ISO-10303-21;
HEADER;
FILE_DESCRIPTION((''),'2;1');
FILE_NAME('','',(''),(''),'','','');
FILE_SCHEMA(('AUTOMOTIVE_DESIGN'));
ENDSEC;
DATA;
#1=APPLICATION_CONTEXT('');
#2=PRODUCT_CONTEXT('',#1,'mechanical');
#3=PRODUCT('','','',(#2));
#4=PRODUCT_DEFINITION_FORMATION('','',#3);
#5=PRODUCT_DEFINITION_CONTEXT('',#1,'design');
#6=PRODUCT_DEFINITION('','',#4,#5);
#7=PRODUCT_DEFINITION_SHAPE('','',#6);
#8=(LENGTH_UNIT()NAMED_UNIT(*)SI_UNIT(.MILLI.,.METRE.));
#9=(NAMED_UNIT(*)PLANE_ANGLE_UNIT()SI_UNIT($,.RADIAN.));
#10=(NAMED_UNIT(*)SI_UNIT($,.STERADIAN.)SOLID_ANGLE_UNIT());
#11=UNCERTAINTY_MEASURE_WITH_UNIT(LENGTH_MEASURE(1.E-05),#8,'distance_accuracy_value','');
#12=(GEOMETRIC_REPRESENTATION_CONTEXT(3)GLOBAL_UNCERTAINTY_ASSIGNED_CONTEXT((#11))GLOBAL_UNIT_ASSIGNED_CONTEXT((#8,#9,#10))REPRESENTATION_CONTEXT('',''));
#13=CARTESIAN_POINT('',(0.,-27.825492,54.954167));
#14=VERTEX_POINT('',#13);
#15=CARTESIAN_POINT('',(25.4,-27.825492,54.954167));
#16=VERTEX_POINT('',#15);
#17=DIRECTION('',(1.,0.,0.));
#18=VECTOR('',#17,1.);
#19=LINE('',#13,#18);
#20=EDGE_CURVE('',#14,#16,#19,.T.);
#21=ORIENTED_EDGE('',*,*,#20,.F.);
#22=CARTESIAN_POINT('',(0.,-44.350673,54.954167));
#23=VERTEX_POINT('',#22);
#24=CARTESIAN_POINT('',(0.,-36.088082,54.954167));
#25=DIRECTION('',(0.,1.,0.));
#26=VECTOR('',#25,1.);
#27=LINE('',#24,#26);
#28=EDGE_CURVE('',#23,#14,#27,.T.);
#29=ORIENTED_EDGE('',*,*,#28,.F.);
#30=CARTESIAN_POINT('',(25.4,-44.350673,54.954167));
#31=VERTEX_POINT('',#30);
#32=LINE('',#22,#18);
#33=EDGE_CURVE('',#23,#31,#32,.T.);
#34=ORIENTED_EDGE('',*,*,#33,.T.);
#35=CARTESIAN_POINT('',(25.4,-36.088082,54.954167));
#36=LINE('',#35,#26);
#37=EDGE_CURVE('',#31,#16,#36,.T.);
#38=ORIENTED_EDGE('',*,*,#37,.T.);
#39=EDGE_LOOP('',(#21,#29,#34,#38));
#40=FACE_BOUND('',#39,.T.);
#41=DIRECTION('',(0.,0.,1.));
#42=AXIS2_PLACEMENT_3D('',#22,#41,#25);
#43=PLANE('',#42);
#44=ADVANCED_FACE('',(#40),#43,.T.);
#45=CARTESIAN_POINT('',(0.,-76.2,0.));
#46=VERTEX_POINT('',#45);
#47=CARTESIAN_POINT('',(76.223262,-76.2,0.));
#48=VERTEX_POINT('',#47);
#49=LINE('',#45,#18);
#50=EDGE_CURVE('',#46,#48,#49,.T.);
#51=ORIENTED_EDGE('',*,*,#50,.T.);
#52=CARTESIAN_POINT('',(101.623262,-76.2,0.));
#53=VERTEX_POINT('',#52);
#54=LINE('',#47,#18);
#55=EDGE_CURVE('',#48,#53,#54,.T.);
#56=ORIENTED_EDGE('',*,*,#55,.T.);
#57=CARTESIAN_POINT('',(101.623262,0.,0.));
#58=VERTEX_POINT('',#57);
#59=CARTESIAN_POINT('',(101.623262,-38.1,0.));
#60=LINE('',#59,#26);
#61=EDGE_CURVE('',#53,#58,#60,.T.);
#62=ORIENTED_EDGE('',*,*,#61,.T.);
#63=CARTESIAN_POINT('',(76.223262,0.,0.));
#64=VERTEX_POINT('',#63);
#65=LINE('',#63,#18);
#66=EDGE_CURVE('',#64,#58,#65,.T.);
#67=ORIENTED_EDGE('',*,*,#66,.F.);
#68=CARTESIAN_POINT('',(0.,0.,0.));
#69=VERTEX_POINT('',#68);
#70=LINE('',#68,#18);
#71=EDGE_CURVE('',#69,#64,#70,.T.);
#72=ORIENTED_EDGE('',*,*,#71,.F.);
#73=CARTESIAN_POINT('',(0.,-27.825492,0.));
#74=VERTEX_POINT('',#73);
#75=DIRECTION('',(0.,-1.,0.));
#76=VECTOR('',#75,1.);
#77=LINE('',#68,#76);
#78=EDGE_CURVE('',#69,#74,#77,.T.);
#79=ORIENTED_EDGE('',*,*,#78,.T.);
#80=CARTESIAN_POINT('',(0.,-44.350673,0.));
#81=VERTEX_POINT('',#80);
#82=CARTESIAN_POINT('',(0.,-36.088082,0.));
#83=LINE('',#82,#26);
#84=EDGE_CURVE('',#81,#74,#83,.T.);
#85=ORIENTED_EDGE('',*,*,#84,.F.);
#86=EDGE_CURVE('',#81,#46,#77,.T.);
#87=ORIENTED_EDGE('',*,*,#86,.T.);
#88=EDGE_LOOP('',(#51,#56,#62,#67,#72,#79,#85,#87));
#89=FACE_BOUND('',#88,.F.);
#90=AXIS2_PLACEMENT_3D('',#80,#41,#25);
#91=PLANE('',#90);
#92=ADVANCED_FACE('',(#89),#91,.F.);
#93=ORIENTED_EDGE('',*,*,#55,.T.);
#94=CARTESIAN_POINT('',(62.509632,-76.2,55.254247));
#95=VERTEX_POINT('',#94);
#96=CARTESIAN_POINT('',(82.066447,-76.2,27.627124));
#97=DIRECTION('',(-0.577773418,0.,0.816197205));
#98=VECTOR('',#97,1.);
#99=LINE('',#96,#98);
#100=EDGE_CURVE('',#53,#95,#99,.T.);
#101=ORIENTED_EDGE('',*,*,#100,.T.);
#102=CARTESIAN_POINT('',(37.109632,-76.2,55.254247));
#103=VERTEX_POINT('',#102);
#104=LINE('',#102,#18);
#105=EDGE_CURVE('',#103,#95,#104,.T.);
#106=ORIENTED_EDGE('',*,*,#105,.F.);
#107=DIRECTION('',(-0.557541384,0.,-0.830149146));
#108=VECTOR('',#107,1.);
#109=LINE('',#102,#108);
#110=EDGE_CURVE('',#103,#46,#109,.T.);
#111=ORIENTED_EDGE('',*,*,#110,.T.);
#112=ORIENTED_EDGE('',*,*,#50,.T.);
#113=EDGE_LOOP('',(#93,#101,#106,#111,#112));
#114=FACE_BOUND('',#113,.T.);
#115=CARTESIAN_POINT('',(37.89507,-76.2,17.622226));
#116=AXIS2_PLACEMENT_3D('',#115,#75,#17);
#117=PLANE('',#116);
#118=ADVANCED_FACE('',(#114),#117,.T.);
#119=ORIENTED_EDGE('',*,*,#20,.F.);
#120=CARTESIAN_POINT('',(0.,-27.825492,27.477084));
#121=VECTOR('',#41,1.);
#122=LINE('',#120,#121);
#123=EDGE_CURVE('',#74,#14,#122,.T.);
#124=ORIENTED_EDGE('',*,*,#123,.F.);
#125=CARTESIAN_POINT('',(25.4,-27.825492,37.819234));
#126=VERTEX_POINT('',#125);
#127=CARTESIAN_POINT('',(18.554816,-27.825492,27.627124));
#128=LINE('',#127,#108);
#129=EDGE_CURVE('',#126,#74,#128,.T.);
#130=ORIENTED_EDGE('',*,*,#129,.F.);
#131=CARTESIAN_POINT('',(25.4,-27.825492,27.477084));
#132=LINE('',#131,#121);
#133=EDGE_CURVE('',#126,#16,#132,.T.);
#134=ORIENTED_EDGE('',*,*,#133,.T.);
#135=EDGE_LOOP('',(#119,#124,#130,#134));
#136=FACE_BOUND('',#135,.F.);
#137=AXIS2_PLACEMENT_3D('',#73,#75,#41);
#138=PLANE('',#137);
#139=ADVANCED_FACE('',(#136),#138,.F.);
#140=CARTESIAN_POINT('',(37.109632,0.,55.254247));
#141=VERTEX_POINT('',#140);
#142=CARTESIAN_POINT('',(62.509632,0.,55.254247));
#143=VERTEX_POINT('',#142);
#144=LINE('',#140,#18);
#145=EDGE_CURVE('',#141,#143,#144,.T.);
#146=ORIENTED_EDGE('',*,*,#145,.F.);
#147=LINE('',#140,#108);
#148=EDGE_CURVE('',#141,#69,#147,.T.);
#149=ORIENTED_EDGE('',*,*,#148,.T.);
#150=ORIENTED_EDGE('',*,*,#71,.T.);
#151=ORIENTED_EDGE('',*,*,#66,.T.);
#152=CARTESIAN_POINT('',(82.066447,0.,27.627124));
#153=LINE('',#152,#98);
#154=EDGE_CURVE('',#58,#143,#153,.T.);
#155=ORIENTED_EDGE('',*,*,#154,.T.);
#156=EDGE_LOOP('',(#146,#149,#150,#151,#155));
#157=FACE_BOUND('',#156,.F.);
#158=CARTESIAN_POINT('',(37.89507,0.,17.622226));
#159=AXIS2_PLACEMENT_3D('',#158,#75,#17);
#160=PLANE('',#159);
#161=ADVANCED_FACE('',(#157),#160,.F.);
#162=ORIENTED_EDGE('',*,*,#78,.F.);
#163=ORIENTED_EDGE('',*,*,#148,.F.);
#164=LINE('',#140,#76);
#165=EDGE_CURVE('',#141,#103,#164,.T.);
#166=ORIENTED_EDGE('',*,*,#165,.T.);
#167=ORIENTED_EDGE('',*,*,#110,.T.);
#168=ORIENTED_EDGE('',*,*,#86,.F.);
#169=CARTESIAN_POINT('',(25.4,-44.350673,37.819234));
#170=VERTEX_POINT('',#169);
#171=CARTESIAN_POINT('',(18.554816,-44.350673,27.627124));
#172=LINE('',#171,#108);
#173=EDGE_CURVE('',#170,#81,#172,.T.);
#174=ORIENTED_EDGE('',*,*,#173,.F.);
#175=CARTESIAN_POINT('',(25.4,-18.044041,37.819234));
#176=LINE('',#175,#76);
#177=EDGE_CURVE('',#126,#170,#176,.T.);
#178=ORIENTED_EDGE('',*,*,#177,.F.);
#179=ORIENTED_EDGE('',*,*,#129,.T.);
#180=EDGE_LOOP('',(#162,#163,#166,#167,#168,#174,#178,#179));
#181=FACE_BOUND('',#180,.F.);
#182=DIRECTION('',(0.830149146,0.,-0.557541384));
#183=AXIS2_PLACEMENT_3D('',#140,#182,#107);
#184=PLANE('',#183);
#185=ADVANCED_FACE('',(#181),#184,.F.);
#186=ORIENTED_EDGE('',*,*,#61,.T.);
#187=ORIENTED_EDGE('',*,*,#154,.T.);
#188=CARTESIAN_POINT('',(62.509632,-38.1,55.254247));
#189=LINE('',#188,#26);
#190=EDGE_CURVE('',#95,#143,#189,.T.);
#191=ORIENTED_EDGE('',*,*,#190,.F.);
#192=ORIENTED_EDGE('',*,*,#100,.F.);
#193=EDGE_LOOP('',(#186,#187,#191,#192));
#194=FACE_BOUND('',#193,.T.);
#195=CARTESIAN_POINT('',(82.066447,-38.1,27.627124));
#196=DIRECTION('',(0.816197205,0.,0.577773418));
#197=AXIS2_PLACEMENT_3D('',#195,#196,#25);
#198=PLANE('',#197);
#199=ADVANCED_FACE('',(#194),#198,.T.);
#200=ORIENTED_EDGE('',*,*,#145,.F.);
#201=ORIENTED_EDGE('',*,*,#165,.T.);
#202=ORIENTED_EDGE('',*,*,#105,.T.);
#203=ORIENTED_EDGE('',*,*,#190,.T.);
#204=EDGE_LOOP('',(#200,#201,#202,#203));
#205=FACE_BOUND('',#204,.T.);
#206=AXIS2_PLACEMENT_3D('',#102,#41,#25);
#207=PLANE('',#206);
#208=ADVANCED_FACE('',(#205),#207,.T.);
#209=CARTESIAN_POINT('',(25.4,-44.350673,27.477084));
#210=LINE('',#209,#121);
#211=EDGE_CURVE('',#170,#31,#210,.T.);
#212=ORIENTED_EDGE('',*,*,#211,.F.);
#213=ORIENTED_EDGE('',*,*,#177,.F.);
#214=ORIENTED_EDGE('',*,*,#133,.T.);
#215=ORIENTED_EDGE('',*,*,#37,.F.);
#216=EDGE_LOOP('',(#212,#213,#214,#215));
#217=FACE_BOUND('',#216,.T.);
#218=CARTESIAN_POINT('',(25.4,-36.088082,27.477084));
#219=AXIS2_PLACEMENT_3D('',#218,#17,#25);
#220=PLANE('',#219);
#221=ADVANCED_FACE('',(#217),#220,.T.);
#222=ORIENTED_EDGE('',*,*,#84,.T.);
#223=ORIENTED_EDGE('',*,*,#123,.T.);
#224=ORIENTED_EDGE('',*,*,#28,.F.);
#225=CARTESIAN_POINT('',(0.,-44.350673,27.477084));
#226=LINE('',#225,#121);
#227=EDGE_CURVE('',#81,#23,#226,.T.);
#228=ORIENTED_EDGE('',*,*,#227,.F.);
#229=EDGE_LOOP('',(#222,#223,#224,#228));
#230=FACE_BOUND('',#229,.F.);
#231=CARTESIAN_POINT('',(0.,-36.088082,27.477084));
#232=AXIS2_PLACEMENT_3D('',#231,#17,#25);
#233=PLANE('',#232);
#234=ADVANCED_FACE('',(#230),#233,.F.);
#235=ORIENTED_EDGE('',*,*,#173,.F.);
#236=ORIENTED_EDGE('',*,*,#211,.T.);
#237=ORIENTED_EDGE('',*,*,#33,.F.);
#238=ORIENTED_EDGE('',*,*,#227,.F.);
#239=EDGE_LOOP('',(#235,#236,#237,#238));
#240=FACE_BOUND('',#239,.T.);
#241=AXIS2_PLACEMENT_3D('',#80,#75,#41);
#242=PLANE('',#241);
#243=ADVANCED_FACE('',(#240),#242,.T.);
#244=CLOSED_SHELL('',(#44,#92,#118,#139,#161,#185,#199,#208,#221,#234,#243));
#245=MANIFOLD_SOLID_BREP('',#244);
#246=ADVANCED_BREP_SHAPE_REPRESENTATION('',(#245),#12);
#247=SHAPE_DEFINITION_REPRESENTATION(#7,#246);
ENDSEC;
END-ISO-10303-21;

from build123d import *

# Parameters (mm, degrees)
F1_DEPTH  = 76.2
F2_W      = 16.5251810104
F2_H      = 54.9541674554
F1_FACE_W = 76.2
F1_FACE_H = 67.6971774679
F3_DEPTH  = 25.4


with BuildPart() as f1:
    # F0 (on Front) → F1 (new body)
    with BuildSketch(Plane.XZ):
        Polygon((76.2232616544, 0), (37.109632045, 55.2542470396), (0, 0), align=None)
    extrude(amount=F1_DEPTH)

    # F2 (on Right) + F1_face (on face) → F3 (join)
    with BuildSketch(Plane.YZ):
        with Locations((-36.0880820081, 27.4770837277)):
            Rectangle(F2_W, F2_H)
    with BuildSketch(Plane(origin=(56.6664468497, -38.1, 27.6271235198), x_dir=(0, 1, 0), z_dir=(0.8161972051, 0, 0.5777734179))):
        Rectangle(F1_FACE_W, F1_FACE_H)
    extrude(amount=F3_DEPTH, dir=(1, 0, 0))


solid = f1.part
